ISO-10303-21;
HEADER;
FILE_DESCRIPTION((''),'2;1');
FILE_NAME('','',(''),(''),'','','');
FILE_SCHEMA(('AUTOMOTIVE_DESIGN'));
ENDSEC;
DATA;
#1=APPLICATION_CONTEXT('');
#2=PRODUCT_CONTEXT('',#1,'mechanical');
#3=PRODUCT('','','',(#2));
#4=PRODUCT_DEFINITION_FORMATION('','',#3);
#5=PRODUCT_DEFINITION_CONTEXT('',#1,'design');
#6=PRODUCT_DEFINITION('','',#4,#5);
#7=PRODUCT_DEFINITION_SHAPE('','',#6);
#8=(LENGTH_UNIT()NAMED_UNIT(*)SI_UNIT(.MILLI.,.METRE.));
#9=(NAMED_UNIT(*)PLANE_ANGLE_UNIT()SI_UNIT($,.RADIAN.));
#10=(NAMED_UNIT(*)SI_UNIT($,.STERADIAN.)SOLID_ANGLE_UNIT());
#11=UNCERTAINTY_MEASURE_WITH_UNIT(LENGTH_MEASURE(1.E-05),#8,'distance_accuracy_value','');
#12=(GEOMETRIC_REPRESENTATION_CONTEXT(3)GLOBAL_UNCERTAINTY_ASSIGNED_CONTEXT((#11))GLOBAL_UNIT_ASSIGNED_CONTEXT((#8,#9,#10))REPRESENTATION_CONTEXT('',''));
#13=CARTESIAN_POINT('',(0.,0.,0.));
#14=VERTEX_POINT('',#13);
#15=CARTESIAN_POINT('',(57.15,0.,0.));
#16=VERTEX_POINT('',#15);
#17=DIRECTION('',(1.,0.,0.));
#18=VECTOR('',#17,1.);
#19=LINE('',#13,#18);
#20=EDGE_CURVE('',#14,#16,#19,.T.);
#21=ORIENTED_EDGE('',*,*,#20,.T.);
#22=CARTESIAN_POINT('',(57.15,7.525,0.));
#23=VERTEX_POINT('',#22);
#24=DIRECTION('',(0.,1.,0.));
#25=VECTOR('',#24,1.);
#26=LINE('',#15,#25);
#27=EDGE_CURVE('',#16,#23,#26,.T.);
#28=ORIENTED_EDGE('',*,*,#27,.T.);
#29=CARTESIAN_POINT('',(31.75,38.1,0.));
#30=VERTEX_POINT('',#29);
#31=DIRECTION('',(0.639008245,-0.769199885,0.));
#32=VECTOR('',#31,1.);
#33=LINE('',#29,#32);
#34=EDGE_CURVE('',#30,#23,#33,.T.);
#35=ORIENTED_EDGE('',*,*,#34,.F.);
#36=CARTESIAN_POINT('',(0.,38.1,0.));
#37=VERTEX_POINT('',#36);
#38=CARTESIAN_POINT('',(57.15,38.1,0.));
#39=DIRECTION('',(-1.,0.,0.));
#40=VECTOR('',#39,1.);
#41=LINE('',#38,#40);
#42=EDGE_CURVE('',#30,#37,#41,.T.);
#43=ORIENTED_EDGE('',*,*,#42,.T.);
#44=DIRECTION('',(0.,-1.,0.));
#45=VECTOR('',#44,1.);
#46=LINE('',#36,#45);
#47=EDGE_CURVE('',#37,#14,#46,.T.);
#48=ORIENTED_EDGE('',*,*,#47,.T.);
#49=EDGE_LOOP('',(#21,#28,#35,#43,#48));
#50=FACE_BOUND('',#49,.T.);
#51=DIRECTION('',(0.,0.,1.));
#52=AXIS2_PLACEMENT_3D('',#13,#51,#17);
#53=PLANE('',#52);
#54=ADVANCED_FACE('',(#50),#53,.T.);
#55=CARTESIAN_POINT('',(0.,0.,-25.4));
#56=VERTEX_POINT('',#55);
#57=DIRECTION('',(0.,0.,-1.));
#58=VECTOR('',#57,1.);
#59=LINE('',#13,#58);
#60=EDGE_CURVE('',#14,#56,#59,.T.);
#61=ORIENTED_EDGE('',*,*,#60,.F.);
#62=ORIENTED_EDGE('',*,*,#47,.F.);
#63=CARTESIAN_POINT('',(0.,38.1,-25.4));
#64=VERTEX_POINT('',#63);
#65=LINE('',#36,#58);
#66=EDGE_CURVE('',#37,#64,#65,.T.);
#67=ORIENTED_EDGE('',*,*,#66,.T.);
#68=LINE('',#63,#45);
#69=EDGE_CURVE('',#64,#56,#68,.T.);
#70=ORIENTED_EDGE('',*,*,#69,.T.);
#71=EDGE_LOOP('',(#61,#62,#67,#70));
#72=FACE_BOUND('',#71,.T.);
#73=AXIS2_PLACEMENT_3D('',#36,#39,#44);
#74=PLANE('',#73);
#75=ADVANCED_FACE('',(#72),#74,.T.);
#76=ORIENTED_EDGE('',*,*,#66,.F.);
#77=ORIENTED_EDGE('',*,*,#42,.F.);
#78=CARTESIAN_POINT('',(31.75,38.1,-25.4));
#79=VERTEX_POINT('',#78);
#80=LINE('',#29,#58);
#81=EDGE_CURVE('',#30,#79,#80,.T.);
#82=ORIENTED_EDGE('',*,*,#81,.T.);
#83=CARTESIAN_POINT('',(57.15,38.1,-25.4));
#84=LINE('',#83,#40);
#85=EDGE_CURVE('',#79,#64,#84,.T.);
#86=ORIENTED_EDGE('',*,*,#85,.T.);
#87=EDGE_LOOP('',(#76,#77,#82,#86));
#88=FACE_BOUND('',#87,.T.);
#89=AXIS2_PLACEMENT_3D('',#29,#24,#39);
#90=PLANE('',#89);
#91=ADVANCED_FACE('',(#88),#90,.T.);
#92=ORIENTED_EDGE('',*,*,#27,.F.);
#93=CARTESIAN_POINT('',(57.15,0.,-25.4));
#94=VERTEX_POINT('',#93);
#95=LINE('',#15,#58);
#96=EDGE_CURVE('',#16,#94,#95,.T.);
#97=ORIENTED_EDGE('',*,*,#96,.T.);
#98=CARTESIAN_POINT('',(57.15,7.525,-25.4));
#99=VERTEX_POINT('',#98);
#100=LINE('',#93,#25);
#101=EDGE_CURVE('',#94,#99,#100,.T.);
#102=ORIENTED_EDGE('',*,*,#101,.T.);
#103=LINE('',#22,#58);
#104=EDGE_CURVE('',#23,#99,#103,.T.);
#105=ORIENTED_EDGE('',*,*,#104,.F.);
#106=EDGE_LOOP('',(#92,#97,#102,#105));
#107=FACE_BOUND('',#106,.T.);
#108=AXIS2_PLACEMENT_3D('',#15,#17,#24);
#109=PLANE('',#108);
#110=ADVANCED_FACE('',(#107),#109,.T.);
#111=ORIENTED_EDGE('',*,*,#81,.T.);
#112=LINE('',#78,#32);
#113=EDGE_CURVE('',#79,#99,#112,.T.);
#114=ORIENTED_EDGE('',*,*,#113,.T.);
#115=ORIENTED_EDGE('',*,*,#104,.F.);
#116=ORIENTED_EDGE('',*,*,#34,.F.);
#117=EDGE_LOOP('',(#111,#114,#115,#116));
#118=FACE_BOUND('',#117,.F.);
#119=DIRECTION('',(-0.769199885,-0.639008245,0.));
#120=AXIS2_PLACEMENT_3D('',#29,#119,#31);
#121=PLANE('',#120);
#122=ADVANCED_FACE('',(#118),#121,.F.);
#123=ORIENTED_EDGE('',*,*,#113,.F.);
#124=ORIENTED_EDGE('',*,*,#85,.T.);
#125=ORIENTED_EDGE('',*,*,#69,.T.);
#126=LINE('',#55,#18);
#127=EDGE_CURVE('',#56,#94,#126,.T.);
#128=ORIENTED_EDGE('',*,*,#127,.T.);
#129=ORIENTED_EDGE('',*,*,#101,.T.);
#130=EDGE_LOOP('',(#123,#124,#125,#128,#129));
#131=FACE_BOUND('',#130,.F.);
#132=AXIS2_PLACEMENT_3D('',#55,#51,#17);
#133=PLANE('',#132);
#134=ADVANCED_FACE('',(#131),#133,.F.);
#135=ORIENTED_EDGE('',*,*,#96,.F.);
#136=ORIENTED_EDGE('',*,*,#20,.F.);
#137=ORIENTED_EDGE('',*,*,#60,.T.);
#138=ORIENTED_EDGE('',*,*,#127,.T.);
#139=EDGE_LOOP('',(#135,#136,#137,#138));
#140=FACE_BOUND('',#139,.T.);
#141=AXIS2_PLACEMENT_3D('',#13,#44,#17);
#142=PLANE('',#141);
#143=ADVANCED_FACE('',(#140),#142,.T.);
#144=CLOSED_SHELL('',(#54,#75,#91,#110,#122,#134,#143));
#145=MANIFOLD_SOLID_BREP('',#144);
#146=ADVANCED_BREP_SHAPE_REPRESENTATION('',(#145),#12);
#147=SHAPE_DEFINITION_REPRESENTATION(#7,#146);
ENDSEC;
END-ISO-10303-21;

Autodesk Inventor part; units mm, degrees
ref_plane "YZ Plane" through (0, 0, 0) normal (1, 0, 0) x (0, 1, 0)
ref_plane "XZ Plane" through (0, 0, 0) normal (0, 1, 0) x (-1, 0, 0)
ref_plane "XY Plane" through (0, 0, 0) normal (0, 0, 1) x (1, 0, 0)
sketch "Sketch1" plane through (0, 0, 0) normal (0, 0, 1) x (1, 0, 0)
  line L0 (0, 0) -> (57.15, 0)
  line L1 (57.15, 0) -> (57.15, 38.1)
  line L2 (57.15, 38.1) -> (0, 38.1)
  line L3 (0, 38.1) -> (0, 0)
  line L4 (31.75, 38.1) -> (57.15, 7.525)
  dimension "d0" = 38.1
  dimension "d1" = 57.15
  dimension "d2" = 30.575
  dimension "d3" = 25.4
extrude "Extrusion1" add sketch "Sketch1" against normal blind 25.4 contours L3 L2 L4 L1 L0
sketch "Sketch2" plane through (0, 38.1, 0) normal (0, 1, 0) x (1, 0, 0)
  line L0 (31.75, 25.4) -> (57.15, 25.4) projected
  line L1 (57.15, 0) -> (31.75, 0) projected
  point P0 (0, 0)
  dimension "d6" = 25.4
properties part number "A2.6_Titus_SketchSheetA9"
